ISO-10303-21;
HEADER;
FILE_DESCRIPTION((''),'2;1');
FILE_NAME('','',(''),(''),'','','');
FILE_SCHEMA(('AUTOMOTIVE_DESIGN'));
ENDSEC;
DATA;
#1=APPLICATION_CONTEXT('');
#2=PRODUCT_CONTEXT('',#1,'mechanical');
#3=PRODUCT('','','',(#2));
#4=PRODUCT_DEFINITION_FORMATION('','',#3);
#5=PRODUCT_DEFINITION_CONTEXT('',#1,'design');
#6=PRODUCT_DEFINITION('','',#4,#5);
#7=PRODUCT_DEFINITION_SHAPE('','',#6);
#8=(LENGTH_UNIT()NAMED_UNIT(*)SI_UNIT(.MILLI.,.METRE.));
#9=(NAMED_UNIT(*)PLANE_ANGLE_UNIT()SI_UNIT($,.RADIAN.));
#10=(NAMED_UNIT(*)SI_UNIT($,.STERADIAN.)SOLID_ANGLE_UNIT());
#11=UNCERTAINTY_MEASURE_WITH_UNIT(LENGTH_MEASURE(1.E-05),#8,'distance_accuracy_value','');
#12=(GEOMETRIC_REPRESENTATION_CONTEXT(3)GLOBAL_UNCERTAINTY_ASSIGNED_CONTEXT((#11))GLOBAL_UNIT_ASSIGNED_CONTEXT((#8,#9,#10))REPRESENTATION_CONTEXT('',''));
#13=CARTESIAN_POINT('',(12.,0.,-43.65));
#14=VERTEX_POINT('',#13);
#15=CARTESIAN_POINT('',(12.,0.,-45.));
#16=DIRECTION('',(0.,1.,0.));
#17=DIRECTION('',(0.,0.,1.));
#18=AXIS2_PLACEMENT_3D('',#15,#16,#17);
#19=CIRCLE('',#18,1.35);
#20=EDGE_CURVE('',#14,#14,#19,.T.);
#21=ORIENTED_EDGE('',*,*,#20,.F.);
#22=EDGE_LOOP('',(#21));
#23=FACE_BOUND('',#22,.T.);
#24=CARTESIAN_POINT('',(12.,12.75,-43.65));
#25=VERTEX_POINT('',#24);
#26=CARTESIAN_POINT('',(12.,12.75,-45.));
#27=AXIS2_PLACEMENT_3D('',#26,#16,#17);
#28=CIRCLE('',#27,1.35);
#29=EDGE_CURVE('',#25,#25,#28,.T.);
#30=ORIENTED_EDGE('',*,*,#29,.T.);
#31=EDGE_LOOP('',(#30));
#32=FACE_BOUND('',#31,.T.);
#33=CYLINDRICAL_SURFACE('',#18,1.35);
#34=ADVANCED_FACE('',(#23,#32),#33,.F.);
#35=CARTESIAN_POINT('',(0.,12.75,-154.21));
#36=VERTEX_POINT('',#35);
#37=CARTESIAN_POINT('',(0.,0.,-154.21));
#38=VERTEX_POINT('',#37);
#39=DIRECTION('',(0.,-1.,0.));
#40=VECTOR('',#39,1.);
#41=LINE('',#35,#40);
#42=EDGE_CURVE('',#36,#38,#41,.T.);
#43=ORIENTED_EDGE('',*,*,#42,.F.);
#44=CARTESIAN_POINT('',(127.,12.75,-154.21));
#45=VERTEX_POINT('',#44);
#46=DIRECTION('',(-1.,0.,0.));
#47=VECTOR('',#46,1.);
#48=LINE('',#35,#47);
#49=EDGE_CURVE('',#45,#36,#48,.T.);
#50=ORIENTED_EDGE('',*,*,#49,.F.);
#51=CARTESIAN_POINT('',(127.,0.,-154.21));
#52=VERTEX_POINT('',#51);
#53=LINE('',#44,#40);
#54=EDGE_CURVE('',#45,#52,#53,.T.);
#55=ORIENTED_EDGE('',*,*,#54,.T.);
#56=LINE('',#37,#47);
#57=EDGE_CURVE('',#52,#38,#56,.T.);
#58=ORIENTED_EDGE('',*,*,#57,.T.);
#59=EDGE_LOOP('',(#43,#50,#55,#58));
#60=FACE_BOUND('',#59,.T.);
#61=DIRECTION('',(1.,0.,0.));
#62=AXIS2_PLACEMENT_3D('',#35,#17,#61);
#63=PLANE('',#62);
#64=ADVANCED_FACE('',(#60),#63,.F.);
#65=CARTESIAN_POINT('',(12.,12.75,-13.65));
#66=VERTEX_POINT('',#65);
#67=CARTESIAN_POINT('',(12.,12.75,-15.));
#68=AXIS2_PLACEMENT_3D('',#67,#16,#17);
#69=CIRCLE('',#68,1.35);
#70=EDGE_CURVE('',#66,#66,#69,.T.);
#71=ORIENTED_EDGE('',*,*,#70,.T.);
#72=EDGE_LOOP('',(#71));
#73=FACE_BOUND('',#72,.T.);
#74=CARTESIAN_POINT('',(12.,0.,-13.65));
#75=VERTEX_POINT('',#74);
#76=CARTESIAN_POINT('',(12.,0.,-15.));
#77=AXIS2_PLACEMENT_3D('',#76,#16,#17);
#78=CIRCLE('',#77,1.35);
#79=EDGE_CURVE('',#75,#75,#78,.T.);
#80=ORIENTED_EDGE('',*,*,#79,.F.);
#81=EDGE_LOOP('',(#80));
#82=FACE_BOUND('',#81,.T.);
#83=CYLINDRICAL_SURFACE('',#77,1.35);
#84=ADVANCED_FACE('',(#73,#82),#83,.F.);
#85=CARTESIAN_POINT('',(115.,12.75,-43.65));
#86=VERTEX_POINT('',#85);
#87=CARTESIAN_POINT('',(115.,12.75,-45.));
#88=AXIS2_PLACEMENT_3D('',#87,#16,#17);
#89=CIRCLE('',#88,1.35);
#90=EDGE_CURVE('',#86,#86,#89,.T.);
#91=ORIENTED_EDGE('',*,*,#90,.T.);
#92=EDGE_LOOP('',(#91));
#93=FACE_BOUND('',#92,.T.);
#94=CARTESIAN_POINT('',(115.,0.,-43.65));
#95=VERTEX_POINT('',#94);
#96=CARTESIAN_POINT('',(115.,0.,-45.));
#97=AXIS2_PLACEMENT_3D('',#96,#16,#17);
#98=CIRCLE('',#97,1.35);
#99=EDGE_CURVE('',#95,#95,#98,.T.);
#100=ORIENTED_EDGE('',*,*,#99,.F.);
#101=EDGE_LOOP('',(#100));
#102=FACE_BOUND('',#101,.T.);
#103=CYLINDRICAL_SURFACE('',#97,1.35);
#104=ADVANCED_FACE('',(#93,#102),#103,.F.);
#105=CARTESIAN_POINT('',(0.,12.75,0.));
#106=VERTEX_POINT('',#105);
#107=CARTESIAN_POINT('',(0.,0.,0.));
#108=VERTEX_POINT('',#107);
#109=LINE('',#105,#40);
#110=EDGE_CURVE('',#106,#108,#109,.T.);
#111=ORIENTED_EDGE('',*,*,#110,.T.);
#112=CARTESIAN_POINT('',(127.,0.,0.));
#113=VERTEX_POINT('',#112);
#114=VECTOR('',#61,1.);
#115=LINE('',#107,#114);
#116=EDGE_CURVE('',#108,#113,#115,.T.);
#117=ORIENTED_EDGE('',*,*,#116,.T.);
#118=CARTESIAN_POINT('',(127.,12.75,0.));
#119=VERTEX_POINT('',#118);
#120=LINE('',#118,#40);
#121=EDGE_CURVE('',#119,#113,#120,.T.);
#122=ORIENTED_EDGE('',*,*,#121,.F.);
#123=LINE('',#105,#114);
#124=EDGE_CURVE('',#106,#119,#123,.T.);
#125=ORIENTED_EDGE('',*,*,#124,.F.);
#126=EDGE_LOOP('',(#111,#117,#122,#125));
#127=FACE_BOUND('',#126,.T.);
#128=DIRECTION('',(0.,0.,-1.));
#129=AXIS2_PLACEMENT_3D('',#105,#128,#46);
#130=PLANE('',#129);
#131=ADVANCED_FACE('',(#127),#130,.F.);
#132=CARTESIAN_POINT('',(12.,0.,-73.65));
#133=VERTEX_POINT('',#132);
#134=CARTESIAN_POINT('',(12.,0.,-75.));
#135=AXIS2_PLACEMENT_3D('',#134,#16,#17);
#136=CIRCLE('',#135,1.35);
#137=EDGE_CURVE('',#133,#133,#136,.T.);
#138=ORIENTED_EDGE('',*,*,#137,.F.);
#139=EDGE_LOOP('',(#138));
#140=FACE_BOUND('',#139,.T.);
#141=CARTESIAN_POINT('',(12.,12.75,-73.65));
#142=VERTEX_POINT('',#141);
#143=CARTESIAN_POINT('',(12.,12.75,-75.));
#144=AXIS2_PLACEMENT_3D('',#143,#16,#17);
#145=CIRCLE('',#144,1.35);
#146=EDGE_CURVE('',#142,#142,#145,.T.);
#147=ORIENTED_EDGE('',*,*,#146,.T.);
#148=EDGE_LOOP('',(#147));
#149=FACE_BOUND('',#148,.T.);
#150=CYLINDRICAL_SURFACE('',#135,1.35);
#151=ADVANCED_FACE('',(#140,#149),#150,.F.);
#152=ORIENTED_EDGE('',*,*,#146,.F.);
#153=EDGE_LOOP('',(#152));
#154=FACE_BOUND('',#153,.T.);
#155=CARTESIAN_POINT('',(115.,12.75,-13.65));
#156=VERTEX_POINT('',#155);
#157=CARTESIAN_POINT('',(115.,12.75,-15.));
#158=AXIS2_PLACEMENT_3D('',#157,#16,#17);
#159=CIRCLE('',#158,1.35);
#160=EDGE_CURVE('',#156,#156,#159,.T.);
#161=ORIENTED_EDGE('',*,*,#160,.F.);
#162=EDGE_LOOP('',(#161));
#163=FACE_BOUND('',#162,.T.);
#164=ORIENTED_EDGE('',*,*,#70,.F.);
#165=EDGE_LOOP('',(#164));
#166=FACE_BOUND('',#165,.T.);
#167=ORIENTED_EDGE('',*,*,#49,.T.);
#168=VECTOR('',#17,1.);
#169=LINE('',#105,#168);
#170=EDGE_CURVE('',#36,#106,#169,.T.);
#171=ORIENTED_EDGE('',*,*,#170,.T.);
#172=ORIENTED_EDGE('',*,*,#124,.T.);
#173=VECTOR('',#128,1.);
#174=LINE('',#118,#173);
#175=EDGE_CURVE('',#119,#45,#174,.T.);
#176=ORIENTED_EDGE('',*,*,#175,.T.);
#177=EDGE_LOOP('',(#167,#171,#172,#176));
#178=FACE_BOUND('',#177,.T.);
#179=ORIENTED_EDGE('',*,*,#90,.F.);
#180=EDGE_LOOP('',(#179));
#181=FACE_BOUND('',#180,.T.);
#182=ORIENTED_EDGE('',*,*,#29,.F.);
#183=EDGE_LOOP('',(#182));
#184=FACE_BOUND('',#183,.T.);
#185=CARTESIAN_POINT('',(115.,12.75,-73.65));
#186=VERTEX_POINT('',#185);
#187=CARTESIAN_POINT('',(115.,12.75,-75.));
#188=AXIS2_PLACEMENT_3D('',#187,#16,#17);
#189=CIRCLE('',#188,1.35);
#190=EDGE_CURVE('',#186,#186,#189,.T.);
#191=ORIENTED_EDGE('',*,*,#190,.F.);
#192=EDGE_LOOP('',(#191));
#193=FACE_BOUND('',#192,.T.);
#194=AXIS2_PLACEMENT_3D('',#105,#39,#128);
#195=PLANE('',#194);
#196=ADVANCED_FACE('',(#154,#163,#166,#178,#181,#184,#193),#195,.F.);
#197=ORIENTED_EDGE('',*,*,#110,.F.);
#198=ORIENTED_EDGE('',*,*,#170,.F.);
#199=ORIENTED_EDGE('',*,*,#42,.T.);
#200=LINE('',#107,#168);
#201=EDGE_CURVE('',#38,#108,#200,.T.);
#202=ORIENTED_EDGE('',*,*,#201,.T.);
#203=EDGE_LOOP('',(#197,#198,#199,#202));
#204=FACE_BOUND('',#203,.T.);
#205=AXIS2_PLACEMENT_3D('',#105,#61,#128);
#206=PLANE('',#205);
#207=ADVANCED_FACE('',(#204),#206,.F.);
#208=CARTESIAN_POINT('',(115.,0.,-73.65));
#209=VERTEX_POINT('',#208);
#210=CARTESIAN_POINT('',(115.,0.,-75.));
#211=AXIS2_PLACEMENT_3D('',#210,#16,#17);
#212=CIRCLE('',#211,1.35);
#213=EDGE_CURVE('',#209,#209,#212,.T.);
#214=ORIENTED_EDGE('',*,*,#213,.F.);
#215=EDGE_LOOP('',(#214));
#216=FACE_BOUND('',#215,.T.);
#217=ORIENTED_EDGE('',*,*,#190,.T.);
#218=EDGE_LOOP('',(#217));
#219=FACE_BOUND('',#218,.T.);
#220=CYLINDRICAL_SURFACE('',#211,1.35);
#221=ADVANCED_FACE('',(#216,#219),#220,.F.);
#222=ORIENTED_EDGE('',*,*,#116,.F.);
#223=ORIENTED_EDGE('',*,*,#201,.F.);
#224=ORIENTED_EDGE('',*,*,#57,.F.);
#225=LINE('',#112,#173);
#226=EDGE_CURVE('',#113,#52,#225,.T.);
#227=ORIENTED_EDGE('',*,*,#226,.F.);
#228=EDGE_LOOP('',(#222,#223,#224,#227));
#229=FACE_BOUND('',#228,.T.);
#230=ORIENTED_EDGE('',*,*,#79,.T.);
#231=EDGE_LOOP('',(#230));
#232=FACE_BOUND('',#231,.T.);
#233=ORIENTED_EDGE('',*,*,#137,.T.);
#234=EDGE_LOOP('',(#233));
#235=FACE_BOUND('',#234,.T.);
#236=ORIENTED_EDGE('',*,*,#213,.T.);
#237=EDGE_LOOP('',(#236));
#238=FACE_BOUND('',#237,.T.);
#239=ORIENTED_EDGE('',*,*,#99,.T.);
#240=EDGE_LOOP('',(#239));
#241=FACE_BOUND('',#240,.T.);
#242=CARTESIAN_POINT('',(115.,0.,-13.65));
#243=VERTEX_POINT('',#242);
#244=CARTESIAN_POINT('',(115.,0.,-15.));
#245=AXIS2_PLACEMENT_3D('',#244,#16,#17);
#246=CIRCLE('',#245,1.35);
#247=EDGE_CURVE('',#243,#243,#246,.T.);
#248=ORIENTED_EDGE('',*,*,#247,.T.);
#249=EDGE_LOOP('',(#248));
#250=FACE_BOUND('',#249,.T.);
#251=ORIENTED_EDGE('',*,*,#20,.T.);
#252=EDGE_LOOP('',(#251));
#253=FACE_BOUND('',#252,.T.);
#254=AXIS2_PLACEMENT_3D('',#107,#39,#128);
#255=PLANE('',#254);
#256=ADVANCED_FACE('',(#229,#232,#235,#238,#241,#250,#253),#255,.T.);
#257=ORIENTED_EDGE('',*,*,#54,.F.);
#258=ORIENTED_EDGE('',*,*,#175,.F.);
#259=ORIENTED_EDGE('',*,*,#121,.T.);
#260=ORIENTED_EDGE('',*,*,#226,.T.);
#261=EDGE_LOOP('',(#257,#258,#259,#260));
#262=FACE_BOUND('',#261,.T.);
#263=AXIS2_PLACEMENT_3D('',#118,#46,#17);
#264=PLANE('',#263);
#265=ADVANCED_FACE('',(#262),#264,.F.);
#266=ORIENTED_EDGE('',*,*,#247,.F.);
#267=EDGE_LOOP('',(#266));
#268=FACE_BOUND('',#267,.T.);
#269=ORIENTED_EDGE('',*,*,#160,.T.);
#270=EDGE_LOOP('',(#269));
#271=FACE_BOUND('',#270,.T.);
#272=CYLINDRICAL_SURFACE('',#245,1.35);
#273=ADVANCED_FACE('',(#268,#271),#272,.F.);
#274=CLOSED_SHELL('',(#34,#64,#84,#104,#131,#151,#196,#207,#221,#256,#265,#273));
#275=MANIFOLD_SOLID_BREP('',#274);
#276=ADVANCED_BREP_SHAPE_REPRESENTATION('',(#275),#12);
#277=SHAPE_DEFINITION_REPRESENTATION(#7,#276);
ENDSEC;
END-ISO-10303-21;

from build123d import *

# Parameters (mm, degrees)
SKETCH1_W           = 127
SKETCH1_H           = 154.21
BOSS_EXTRUDE1_DEPTH = 12.75
SKETCH2_R           = 1.35
CUT_EXTRUDE1_DEPTH  = 13.75


with BuildPart() as part:
    # Sketch1 → Boss-Extrude1 (new body)
    with BuildSketch(Plane(origin=(0, 0, 0), x_dir=(1, 0, 0), z_dir=(0, 1, 0))):
        with Locations((63.5, 77.105)):
            Rectangle(SKETCH1_W, SKETCH1_H)
    extrude(amount=BOSS_EXTRUDE1_DEPTH)

    # Sketch2 → Cut-Extrude1 (cut, through all)
    with BuildSketch(Plane(origin=(0, 12.75, 0), x_dir=(1, 0, 0), z_dir=(0, 1, 0))):
        with Locations((12, 15)):
            Circle(SKETCH2_R)
        with Locations((115, 15)):
            Circle(SKETCH2_R)
        with Locations((115, 45)):
            Circle(SKETCH2_R)
        with Locations((12, 45)):
            Circle(SKETCH2_R)
        with Locations((12, 75)):
            Circle(SKETCH2_R)
        with Locations((115, 75)):
            Circle(SKETCH2_R)
    extrude(amount=-CUT_EXTRUDE1_DEPTH, mode=Mode.SUBTRACT)


solid = part.part
